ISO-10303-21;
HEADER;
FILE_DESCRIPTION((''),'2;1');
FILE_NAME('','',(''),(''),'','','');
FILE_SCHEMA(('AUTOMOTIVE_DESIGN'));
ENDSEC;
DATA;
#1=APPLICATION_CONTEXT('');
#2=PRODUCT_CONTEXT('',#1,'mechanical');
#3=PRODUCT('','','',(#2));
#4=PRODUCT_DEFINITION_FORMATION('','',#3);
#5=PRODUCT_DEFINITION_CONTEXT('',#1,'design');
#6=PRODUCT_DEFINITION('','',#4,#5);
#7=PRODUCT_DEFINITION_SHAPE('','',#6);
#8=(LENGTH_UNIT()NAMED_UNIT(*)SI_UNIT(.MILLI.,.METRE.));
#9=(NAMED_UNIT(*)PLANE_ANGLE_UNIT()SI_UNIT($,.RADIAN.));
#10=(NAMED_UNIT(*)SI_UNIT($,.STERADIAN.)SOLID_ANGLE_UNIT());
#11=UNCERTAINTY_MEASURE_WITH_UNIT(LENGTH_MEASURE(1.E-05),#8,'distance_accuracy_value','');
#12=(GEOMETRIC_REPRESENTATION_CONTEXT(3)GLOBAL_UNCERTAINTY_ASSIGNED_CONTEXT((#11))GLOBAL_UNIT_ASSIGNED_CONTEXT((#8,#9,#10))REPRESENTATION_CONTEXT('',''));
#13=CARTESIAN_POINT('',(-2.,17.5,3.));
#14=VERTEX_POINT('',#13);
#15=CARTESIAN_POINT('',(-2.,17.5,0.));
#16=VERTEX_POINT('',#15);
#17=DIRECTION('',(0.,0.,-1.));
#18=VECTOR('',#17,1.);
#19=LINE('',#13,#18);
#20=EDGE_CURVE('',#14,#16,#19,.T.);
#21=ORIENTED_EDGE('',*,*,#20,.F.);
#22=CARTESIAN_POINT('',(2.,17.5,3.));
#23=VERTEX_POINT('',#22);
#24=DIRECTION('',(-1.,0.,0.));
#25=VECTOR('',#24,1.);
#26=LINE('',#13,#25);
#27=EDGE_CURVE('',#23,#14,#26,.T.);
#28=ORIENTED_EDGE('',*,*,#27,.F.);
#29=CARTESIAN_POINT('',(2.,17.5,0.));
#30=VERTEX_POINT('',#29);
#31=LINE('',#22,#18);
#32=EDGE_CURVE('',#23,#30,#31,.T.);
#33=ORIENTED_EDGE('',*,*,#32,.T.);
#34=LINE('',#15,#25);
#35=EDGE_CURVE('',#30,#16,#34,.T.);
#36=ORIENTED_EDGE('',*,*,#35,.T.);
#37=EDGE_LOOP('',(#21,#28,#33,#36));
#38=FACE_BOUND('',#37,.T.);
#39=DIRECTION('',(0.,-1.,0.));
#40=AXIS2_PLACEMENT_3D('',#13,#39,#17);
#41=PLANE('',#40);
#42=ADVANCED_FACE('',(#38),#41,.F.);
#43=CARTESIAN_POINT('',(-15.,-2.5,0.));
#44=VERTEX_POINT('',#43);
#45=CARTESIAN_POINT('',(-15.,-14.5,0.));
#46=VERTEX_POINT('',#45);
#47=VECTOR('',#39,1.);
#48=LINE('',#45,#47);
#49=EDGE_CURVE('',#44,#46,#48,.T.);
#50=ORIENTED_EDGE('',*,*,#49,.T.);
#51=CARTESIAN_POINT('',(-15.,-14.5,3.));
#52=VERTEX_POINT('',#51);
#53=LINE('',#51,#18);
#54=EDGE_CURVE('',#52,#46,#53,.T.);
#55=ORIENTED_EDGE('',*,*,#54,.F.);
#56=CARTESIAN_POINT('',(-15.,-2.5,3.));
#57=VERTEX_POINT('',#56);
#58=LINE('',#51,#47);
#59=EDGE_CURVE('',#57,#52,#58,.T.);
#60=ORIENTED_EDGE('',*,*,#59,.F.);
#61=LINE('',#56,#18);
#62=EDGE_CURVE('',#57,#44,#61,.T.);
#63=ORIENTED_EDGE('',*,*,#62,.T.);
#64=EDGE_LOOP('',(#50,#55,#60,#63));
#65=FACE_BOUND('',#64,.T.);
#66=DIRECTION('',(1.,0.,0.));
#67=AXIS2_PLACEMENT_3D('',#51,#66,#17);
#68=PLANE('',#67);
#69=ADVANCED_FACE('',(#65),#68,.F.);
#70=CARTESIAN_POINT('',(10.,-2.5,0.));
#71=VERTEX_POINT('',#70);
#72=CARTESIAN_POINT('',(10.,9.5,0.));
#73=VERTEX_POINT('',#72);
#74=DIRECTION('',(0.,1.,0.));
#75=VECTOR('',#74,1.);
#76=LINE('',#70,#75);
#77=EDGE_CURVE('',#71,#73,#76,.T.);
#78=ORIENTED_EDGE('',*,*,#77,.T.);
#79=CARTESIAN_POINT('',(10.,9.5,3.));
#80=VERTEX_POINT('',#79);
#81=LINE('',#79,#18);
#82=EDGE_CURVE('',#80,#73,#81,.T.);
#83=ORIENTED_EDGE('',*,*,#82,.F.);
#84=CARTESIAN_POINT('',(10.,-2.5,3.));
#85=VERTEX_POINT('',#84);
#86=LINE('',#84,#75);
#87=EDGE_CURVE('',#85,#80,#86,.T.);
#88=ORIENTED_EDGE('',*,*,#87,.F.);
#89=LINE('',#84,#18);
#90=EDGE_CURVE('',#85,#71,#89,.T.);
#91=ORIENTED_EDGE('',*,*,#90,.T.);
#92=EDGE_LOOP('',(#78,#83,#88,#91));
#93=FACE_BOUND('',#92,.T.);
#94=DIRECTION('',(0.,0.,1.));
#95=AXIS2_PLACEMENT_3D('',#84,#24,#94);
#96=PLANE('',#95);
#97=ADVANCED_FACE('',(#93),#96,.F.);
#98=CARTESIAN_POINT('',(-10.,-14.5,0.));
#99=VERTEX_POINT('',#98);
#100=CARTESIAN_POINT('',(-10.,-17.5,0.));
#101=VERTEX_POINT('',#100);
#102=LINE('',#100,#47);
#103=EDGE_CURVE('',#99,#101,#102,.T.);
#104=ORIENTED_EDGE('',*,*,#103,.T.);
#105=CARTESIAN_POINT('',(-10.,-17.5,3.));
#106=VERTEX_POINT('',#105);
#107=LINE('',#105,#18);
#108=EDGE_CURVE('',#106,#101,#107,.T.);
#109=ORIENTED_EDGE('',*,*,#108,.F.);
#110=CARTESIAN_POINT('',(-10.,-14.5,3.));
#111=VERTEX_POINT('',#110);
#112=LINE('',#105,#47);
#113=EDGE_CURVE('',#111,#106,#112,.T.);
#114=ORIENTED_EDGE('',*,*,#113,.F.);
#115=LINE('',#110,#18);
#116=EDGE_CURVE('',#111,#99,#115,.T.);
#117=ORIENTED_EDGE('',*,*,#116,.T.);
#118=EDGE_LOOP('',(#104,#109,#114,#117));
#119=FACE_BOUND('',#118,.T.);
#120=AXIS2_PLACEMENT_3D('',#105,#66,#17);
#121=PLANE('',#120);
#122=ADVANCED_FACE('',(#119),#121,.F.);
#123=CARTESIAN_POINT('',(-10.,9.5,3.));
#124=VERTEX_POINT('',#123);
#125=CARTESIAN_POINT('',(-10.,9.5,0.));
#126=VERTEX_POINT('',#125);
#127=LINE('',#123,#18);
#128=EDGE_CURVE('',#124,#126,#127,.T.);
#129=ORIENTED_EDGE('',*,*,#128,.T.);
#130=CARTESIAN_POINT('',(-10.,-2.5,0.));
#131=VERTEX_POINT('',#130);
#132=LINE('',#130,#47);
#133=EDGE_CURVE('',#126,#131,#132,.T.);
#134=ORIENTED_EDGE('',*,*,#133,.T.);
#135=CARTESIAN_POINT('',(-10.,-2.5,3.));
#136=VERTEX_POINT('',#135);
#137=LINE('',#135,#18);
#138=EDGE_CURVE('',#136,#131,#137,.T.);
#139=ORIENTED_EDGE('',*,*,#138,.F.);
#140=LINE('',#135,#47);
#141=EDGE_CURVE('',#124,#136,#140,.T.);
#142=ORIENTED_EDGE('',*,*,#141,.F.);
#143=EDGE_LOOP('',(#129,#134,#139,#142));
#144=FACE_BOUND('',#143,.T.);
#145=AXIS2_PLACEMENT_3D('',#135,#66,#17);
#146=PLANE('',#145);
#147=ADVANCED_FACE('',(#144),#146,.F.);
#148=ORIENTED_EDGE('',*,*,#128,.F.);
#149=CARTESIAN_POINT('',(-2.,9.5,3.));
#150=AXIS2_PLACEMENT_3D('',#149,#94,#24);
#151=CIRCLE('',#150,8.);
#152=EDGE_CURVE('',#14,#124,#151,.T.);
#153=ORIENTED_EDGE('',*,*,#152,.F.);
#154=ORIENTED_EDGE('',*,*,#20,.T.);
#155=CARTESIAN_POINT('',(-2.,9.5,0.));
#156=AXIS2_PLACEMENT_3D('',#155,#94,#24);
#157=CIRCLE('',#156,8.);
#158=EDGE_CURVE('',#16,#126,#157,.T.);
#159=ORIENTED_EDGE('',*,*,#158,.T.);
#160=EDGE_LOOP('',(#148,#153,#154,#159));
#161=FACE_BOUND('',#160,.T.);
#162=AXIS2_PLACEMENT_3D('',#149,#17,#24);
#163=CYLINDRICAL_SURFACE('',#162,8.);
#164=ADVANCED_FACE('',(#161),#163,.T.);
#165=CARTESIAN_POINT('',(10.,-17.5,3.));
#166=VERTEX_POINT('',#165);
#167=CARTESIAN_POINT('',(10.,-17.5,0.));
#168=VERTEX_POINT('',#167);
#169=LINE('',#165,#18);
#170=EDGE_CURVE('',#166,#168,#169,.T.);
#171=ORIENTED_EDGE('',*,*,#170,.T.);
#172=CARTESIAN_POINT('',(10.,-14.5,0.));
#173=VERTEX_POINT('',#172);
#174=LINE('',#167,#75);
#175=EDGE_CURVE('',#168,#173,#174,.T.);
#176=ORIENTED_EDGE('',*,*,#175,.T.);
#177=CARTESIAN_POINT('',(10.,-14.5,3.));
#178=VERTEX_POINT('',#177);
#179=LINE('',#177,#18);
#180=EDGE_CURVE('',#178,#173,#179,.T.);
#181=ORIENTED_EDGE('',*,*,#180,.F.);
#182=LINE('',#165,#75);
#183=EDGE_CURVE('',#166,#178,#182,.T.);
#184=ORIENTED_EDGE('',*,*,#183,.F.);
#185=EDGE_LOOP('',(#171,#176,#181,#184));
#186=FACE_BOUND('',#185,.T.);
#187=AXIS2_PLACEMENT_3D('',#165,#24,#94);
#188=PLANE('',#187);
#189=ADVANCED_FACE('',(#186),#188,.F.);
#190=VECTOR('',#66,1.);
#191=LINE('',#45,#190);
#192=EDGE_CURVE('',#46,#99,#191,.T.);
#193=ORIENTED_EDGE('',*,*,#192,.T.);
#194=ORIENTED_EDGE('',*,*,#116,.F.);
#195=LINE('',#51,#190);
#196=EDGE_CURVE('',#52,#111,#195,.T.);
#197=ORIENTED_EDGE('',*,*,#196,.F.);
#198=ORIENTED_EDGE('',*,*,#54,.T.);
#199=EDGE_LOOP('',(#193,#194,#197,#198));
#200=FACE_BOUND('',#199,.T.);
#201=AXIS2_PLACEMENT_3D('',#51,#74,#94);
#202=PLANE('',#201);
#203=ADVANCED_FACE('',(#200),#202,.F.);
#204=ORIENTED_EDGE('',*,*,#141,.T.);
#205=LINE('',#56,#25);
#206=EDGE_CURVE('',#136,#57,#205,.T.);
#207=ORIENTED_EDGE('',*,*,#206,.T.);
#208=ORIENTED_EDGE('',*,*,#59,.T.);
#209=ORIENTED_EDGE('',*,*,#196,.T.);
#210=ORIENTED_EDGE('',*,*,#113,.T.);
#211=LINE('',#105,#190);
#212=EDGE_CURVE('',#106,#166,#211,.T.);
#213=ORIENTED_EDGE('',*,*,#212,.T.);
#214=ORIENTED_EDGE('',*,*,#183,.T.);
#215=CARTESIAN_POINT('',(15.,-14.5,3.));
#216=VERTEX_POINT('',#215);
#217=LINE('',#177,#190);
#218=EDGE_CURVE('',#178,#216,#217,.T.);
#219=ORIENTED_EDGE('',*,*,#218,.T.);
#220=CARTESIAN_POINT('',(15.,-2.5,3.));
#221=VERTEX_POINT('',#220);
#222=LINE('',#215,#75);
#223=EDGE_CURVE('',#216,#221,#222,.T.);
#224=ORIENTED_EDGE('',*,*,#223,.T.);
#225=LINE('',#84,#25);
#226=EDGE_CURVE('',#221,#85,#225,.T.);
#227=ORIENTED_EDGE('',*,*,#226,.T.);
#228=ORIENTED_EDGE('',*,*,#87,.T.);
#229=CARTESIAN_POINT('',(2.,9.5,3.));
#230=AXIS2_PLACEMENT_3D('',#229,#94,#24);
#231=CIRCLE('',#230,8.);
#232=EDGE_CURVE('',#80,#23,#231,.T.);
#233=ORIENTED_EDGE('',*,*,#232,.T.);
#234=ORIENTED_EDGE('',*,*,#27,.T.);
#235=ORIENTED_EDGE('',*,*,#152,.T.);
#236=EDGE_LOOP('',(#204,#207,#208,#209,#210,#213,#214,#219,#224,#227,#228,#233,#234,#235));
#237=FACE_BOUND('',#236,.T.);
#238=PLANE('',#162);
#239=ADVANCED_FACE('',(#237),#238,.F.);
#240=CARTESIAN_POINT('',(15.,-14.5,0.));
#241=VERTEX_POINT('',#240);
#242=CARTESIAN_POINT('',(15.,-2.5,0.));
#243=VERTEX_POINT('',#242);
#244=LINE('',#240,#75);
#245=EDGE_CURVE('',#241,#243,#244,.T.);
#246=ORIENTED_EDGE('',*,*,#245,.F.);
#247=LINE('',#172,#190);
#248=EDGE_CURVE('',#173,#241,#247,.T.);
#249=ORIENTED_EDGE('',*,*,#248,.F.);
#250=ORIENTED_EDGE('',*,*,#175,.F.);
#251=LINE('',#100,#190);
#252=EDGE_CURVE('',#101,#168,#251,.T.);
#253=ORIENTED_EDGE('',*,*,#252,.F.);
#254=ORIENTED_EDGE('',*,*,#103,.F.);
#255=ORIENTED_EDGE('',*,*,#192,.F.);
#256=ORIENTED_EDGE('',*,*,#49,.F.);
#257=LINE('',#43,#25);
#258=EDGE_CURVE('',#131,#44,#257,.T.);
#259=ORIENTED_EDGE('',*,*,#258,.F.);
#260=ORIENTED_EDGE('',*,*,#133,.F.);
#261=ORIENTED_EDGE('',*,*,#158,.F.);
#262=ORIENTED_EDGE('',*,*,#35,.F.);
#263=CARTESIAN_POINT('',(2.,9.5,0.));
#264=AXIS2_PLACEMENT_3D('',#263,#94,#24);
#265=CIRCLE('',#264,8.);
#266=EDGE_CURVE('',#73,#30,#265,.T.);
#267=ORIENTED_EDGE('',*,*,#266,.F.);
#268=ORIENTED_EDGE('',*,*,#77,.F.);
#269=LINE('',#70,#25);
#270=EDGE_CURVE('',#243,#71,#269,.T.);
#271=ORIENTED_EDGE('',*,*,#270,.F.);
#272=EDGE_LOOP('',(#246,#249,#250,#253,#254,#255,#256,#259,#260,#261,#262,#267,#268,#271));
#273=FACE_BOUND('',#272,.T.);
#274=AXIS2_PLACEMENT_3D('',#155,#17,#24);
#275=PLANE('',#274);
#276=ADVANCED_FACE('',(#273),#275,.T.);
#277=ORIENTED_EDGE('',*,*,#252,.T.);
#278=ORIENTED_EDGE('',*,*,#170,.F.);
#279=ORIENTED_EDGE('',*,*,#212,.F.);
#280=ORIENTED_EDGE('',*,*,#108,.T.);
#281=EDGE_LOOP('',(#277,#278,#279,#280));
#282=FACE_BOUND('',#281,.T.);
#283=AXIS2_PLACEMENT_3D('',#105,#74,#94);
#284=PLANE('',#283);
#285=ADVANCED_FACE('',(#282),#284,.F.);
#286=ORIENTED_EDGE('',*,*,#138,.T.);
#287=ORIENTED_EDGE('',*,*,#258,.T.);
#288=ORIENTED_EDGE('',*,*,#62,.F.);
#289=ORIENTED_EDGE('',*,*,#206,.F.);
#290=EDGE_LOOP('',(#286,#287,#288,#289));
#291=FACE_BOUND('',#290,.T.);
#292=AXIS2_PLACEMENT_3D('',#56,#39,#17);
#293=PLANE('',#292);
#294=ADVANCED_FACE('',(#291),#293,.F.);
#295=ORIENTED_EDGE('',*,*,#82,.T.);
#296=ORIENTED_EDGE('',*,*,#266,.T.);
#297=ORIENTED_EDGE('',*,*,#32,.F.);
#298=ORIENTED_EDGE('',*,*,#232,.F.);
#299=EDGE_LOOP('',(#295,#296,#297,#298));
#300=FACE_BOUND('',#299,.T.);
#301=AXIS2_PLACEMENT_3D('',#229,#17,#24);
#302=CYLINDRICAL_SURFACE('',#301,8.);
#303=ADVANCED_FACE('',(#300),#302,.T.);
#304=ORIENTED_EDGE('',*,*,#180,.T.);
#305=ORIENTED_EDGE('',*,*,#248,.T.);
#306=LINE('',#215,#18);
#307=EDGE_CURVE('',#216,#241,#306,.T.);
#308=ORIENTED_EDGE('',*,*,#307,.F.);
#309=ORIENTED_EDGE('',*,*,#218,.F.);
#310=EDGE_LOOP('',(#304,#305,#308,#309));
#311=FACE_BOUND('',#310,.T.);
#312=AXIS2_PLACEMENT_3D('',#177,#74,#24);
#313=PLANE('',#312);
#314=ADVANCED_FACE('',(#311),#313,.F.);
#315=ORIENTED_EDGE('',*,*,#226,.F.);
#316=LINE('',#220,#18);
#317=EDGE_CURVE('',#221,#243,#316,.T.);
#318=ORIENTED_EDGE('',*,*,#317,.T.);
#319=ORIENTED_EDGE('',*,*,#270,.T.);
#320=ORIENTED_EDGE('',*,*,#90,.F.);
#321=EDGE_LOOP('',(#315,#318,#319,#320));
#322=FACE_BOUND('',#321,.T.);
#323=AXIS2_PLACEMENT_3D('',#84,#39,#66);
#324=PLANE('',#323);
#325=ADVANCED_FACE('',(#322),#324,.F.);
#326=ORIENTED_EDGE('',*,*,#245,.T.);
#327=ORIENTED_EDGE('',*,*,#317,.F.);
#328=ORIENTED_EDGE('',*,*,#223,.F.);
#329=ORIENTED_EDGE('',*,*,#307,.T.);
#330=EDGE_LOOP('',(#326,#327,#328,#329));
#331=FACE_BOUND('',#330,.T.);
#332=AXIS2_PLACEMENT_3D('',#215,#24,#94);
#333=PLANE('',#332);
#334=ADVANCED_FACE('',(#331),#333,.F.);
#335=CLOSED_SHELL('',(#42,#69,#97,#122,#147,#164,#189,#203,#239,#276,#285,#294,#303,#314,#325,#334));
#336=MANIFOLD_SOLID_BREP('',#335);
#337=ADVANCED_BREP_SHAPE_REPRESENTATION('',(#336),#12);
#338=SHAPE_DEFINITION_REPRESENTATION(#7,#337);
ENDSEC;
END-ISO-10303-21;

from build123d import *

# Parameters (mm, degrees)
SALIENTE_EXTRUIR1_DEPTH = 3


with BuildPart() as part:
    # Croquis1 → Saliente-Extruir1 (new body)
    with BuildSketch(Plane.XY):
        with BuildLine():
            Line((-10, -2.5), (-10, 9.5))
            ThreePointArc((-10, 9.5), (-7.656854249, 15.156854249), (-2, 17.5))
            Line((-2, 17.5), (2, 17.5))
            ThreePointArc((2, 17.5), (7.656854249, 15.156854249), (10, 9.5))
            Line((10, 9.5), (10, -2.5))
            Line((10, -2.5), (15, -2.5))
            Line((15, -2.5), (15, -14.5))
            Line((15, -14.5), (10, -14.5))
            Line((10, -14.5), (10, -17.5))
            Line((10, -17.5), (-10, -17.5))
            Line((-10, -17.5), (-10, -14.5))
            Line((-10, -14.5), (-15, -14.5))
            Line((-15, -14.5), (-15, -2.5))
            Line((-15, -2.5), (-10, -2.5))
        make_face()
    extrude(amount=SALIENTE_EXTRUIR1_DEPTH)


solid = part.part
